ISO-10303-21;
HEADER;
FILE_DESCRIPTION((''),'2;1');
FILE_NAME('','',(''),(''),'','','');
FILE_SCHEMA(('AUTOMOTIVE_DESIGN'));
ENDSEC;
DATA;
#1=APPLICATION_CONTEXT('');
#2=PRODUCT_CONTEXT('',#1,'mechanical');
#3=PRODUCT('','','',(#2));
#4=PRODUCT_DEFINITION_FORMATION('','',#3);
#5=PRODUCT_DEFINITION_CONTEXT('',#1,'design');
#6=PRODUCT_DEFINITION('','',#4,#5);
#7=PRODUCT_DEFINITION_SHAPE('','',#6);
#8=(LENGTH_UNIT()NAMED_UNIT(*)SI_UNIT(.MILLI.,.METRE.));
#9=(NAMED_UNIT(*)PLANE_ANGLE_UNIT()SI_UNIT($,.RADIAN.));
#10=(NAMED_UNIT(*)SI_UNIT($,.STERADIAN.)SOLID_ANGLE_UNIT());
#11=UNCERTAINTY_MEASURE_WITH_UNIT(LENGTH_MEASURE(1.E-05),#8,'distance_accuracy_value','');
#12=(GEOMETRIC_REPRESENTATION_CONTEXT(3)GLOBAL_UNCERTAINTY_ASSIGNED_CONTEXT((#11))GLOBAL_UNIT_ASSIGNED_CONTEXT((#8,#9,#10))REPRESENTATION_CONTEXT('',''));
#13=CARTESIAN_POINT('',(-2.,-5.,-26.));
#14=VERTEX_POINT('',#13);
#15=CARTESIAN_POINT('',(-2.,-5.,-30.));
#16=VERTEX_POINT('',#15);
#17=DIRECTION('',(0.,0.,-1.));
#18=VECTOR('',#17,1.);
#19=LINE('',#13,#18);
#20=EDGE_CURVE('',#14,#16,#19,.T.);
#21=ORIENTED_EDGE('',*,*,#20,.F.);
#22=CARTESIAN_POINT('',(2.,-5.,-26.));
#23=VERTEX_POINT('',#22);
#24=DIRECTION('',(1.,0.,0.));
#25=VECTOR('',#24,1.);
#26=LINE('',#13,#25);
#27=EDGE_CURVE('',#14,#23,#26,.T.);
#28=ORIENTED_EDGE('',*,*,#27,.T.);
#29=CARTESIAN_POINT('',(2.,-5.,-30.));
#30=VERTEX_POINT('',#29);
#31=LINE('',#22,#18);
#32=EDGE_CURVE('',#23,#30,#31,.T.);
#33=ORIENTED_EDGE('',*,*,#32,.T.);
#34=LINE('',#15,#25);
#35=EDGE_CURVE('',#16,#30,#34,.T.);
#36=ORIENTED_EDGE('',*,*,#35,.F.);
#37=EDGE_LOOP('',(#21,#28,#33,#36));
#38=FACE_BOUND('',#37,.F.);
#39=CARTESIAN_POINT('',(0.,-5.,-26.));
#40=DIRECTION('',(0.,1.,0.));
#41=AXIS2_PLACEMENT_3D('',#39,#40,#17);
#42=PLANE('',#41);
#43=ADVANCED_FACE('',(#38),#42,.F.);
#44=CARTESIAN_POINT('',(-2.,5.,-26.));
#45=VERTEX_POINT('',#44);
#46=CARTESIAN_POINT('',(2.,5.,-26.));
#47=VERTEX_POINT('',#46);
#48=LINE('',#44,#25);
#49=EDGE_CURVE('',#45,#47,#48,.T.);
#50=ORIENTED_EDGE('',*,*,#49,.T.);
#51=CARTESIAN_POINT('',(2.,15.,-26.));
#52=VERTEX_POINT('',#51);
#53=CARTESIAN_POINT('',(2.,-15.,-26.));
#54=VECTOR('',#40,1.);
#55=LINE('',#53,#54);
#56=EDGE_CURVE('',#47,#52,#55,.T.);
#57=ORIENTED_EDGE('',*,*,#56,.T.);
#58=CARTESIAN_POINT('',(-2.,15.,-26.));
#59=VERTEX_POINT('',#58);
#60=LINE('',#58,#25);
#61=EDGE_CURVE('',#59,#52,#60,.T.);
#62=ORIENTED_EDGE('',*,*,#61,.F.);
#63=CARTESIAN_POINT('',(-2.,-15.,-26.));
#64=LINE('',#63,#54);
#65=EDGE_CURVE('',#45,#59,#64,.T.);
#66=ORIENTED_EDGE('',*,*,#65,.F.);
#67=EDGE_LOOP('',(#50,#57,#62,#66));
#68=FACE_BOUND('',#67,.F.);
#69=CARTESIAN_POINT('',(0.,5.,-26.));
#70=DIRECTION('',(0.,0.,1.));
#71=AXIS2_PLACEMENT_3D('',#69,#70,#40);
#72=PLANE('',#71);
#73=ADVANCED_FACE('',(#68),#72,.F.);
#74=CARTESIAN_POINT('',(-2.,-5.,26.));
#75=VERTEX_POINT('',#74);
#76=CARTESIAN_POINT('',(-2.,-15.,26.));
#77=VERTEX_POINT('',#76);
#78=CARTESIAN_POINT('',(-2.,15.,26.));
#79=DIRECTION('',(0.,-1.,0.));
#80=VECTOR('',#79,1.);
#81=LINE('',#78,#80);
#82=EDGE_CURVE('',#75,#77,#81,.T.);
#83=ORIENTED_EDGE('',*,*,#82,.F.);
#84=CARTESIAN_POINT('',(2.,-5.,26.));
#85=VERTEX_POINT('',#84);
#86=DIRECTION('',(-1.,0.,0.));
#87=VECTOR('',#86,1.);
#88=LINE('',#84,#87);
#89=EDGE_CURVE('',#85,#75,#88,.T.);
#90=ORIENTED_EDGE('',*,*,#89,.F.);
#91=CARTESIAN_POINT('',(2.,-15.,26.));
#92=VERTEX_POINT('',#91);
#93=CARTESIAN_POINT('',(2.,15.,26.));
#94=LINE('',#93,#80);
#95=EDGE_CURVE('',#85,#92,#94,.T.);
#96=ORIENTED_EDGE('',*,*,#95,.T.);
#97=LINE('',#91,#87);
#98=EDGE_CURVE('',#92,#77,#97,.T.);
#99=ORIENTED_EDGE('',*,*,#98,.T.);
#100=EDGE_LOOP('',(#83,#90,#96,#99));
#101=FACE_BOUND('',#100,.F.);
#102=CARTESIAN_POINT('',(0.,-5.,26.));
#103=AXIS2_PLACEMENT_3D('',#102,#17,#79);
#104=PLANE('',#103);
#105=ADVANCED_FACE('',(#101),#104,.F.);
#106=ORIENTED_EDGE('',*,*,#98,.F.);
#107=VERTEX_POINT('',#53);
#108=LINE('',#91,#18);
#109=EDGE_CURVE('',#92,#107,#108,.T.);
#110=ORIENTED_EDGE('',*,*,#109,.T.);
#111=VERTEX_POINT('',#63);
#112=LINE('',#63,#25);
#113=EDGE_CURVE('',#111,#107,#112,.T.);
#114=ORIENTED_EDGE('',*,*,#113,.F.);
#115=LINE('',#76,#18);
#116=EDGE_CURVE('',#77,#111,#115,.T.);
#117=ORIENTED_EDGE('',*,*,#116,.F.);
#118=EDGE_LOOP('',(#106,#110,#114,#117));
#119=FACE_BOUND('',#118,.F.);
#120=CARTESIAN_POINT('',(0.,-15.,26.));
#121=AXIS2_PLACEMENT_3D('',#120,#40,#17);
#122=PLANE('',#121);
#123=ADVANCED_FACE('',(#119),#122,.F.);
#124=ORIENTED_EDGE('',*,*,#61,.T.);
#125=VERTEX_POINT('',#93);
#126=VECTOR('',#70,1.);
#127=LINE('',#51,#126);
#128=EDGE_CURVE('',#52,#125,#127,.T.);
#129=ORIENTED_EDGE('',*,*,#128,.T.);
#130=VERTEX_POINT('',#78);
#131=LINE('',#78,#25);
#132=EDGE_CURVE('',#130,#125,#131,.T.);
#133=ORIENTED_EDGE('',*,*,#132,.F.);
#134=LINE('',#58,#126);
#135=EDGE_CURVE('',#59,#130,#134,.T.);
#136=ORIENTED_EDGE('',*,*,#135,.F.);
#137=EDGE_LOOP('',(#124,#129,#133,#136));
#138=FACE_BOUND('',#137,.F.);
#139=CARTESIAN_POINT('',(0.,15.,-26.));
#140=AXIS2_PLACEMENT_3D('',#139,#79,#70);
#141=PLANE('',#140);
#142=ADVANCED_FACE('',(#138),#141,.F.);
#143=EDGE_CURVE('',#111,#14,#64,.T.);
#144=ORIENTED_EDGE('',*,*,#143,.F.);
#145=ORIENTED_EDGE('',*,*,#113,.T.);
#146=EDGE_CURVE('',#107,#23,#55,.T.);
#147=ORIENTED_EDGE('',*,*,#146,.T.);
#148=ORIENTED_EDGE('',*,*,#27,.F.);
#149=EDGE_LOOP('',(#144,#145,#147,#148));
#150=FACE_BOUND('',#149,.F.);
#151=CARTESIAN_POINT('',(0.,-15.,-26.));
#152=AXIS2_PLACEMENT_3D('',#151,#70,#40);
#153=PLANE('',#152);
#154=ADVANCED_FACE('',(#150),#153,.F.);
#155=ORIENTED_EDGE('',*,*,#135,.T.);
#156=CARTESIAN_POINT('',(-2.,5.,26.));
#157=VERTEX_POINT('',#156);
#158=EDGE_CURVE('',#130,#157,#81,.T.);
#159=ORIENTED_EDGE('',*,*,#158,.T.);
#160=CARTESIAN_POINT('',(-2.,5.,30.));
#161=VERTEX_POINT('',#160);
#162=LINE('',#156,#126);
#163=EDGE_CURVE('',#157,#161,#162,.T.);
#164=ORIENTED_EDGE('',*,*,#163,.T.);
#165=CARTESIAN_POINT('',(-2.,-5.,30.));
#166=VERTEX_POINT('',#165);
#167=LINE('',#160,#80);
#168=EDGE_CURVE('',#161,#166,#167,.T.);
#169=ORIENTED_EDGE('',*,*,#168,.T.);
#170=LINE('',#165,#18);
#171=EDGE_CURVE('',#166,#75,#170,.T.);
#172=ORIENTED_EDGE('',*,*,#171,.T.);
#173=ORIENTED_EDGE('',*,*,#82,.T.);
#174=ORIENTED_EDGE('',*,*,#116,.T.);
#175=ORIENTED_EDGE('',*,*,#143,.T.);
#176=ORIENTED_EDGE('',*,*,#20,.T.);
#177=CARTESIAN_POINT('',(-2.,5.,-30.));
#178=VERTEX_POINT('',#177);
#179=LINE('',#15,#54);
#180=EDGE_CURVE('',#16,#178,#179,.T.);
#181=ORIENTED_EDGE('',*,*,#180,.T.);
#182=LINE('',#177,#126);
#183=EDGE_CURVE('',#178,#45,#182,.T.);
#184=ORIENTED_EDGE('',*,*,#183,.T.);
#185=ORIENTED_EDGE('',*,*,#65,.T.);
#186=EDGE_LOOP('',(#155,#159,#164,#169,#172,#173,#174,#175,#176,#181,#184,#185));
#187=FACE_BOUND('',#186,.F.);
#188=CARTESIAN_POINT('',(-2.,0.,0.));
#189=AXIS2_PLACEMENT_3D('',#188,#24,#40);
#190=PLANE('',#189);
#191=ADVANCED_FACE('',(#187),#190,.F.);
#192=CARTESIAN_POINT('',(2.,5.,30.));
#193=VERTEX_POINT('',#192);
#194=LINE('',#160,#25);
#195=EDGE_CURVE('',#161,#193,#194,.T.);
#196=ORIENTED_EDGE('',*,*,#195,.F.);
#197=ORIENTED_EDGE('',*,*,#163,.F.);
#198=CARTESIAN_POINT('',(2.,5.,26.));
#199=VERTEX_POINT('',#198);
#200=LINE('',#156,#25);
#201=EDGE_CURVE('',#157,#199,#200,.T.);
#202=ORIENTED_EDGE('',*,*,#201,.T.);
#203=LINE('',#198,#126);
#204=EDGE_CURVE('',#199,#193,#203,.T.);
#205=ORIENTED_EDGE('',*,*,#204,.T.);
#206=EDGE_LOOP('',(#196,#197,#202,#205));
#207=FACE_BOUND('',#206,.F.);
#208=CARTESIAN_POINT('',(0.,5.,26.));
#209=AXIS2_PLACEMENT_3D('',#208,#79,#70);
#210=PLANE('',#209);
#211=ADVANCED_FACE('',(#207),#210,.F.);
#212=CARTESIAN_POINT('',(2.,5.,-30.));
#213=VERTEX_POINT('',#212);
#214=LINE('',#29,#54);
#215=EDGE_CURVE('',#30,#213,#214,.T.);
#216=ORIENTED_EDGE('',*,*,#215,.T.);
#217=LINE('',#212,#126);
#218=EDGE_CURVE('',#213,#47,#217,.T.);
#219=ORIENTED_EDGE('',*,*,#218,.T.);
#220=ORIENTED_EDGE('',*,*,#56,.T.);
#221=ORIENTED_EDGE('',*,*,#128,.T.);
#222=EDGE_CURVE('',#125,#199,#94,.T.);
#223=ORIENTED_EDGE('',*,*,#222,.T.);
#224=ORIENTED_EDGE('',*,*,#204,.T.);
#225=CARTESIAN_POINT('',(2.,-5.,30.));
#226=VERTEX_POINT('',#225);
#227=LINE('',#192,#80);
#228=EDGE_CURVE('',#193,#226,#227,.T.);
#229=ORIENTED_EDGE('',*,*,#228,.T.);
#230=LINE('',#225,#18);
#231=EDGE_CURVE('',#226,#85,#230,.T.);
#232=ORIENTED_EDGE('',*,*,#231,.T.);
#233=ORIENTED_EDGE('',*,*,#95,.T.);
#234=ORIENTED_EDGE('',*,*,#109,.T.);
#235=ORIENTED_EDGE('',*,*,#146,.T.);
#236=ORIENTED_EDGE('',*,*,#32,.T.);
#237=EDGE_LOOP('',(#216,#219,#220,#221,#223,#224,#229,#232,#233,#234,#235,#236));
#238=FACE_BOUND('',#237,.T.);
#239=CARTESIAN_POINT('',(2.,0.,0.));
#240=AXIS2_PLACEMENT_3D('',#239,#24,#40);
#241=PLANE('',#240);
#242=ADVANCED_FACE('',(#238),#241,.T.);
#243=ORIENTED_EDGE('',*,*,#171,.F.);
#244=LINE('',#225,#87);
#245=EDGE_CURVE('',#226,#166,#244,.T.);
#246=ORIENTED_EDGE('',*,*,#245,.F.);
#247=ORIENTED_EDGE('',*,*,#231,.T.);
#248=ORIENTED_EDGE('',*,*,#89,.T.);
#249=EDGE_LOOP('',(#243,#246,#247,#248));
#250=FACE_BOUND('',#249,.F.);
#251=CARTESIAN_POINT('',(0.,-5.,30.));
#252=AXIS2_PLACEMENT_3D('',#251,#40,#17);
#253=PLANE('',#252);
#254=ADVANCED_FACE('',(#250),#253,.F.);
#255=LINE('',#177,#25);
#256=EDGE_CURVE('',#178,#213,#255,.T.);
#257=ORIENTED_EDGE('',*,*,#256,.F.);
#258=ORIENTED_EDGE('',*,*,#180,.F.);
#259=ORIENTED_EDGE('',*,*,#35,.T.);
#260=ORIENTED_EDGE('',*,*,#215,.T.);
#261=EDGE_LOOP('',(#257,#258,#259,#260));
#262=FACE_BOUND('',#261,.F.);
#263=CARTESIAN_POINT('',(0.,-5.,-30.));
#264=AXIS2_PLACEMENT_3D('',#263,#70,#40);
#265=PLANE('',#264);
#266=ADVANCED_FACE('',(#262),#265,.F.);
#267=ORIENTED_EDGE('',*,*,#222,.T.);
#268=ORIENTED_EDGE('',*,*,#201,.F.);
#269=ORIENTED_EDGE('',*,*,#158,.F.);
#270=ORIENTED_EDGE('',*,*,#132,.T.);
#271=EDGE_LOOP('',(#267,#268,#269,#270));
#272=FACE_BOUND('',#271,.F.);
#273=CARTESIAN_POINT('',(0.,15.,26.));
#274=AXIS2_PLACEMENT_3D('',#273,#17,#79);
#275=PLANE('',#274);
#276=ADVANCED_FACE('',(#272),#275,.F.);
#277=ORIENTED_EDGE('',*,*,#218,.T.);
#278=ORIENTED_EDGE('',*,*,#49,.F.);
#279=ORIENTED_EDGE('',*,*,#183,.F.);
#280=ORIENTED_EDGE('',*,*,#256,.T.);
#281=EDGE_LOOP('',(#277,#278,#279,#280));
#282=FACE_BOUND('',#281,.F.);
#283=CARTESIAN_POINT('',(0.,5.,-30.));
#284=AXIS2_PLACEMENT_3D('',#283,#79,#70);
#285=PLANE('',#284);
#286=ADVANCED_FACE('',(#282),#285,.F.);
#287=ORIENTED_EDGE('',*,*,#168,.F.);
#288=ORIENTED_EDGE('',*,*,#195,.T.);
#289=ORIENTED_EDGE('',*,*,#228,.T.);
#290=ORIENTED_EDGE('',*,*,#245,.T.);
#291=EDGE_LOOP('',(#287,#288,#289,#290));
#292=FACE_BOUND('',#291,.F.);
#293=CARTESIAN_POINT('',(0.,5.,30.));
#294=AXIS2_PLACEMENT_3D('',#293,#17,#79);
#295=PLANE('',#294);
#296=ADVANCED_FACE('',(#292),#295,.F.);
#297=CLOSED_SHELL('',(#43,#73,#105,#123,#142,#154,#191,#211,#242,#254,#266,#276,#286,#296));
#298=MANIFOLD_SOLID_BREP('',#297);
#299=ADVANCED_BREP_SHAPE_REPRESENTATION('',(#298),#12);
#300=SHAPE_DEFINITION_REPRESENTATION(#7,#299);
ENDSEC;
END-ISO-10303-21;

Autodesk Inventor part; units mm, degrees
ref_plane "YZ Plane" through (0, 0, 0) normal (1, 0, 0) x (0, 1, 0)
ref_plane "XZ Plane" through (0, 0, 0) normal (0, 1, 0) x (-1, 0, 0)
ref_plane "XY Plane" through (0, 0, 0) normal (0, 0, 1) x (1, 0, 0)
sketch "Эскиз1" plane through (0, 0, 0) normal (1, 0, 0) x (0, 1, 0)
  line L0 (0, -42) -> (0, 42) construction
  line L1 (-15, -26) -> (15, -26)
  line L2 (15, -26) -> (15, 26)
  line L3 (15, 26) -> (-15, 26)
  line L4 (-15, 26) -> (-15, -26)
  line L5 (-15, -26) -> (15, 26) construction
  line L6 (15, -26) -> (-15, 26) construction
  line L7 (5, 30) -> (-5, 30)
  line L8 (-5, 30) -> (-5, 26)
  line L9 (-5, 26) -> (5, 26)
  line L10 (5, 26) -> (5, 30)
  line L11 (5, -26) -> (-5, -26)
  line L12 (-5, -26) -> (-5, -30)
  line L13 (-5, -30) -> (5, -30)
  line L14 (5, -30) -> (5, -26)
  point P0 (0, 0)
  dimension "d3" = 30
  dimension "d4" = 60
  dimension "d5" = 4
  dimension "d6" = 10
extrude "Выдавливание1" add sketch "Эскиз1" along normal mid plane 4
properties part number "Кусочек барабана на 3 см"
